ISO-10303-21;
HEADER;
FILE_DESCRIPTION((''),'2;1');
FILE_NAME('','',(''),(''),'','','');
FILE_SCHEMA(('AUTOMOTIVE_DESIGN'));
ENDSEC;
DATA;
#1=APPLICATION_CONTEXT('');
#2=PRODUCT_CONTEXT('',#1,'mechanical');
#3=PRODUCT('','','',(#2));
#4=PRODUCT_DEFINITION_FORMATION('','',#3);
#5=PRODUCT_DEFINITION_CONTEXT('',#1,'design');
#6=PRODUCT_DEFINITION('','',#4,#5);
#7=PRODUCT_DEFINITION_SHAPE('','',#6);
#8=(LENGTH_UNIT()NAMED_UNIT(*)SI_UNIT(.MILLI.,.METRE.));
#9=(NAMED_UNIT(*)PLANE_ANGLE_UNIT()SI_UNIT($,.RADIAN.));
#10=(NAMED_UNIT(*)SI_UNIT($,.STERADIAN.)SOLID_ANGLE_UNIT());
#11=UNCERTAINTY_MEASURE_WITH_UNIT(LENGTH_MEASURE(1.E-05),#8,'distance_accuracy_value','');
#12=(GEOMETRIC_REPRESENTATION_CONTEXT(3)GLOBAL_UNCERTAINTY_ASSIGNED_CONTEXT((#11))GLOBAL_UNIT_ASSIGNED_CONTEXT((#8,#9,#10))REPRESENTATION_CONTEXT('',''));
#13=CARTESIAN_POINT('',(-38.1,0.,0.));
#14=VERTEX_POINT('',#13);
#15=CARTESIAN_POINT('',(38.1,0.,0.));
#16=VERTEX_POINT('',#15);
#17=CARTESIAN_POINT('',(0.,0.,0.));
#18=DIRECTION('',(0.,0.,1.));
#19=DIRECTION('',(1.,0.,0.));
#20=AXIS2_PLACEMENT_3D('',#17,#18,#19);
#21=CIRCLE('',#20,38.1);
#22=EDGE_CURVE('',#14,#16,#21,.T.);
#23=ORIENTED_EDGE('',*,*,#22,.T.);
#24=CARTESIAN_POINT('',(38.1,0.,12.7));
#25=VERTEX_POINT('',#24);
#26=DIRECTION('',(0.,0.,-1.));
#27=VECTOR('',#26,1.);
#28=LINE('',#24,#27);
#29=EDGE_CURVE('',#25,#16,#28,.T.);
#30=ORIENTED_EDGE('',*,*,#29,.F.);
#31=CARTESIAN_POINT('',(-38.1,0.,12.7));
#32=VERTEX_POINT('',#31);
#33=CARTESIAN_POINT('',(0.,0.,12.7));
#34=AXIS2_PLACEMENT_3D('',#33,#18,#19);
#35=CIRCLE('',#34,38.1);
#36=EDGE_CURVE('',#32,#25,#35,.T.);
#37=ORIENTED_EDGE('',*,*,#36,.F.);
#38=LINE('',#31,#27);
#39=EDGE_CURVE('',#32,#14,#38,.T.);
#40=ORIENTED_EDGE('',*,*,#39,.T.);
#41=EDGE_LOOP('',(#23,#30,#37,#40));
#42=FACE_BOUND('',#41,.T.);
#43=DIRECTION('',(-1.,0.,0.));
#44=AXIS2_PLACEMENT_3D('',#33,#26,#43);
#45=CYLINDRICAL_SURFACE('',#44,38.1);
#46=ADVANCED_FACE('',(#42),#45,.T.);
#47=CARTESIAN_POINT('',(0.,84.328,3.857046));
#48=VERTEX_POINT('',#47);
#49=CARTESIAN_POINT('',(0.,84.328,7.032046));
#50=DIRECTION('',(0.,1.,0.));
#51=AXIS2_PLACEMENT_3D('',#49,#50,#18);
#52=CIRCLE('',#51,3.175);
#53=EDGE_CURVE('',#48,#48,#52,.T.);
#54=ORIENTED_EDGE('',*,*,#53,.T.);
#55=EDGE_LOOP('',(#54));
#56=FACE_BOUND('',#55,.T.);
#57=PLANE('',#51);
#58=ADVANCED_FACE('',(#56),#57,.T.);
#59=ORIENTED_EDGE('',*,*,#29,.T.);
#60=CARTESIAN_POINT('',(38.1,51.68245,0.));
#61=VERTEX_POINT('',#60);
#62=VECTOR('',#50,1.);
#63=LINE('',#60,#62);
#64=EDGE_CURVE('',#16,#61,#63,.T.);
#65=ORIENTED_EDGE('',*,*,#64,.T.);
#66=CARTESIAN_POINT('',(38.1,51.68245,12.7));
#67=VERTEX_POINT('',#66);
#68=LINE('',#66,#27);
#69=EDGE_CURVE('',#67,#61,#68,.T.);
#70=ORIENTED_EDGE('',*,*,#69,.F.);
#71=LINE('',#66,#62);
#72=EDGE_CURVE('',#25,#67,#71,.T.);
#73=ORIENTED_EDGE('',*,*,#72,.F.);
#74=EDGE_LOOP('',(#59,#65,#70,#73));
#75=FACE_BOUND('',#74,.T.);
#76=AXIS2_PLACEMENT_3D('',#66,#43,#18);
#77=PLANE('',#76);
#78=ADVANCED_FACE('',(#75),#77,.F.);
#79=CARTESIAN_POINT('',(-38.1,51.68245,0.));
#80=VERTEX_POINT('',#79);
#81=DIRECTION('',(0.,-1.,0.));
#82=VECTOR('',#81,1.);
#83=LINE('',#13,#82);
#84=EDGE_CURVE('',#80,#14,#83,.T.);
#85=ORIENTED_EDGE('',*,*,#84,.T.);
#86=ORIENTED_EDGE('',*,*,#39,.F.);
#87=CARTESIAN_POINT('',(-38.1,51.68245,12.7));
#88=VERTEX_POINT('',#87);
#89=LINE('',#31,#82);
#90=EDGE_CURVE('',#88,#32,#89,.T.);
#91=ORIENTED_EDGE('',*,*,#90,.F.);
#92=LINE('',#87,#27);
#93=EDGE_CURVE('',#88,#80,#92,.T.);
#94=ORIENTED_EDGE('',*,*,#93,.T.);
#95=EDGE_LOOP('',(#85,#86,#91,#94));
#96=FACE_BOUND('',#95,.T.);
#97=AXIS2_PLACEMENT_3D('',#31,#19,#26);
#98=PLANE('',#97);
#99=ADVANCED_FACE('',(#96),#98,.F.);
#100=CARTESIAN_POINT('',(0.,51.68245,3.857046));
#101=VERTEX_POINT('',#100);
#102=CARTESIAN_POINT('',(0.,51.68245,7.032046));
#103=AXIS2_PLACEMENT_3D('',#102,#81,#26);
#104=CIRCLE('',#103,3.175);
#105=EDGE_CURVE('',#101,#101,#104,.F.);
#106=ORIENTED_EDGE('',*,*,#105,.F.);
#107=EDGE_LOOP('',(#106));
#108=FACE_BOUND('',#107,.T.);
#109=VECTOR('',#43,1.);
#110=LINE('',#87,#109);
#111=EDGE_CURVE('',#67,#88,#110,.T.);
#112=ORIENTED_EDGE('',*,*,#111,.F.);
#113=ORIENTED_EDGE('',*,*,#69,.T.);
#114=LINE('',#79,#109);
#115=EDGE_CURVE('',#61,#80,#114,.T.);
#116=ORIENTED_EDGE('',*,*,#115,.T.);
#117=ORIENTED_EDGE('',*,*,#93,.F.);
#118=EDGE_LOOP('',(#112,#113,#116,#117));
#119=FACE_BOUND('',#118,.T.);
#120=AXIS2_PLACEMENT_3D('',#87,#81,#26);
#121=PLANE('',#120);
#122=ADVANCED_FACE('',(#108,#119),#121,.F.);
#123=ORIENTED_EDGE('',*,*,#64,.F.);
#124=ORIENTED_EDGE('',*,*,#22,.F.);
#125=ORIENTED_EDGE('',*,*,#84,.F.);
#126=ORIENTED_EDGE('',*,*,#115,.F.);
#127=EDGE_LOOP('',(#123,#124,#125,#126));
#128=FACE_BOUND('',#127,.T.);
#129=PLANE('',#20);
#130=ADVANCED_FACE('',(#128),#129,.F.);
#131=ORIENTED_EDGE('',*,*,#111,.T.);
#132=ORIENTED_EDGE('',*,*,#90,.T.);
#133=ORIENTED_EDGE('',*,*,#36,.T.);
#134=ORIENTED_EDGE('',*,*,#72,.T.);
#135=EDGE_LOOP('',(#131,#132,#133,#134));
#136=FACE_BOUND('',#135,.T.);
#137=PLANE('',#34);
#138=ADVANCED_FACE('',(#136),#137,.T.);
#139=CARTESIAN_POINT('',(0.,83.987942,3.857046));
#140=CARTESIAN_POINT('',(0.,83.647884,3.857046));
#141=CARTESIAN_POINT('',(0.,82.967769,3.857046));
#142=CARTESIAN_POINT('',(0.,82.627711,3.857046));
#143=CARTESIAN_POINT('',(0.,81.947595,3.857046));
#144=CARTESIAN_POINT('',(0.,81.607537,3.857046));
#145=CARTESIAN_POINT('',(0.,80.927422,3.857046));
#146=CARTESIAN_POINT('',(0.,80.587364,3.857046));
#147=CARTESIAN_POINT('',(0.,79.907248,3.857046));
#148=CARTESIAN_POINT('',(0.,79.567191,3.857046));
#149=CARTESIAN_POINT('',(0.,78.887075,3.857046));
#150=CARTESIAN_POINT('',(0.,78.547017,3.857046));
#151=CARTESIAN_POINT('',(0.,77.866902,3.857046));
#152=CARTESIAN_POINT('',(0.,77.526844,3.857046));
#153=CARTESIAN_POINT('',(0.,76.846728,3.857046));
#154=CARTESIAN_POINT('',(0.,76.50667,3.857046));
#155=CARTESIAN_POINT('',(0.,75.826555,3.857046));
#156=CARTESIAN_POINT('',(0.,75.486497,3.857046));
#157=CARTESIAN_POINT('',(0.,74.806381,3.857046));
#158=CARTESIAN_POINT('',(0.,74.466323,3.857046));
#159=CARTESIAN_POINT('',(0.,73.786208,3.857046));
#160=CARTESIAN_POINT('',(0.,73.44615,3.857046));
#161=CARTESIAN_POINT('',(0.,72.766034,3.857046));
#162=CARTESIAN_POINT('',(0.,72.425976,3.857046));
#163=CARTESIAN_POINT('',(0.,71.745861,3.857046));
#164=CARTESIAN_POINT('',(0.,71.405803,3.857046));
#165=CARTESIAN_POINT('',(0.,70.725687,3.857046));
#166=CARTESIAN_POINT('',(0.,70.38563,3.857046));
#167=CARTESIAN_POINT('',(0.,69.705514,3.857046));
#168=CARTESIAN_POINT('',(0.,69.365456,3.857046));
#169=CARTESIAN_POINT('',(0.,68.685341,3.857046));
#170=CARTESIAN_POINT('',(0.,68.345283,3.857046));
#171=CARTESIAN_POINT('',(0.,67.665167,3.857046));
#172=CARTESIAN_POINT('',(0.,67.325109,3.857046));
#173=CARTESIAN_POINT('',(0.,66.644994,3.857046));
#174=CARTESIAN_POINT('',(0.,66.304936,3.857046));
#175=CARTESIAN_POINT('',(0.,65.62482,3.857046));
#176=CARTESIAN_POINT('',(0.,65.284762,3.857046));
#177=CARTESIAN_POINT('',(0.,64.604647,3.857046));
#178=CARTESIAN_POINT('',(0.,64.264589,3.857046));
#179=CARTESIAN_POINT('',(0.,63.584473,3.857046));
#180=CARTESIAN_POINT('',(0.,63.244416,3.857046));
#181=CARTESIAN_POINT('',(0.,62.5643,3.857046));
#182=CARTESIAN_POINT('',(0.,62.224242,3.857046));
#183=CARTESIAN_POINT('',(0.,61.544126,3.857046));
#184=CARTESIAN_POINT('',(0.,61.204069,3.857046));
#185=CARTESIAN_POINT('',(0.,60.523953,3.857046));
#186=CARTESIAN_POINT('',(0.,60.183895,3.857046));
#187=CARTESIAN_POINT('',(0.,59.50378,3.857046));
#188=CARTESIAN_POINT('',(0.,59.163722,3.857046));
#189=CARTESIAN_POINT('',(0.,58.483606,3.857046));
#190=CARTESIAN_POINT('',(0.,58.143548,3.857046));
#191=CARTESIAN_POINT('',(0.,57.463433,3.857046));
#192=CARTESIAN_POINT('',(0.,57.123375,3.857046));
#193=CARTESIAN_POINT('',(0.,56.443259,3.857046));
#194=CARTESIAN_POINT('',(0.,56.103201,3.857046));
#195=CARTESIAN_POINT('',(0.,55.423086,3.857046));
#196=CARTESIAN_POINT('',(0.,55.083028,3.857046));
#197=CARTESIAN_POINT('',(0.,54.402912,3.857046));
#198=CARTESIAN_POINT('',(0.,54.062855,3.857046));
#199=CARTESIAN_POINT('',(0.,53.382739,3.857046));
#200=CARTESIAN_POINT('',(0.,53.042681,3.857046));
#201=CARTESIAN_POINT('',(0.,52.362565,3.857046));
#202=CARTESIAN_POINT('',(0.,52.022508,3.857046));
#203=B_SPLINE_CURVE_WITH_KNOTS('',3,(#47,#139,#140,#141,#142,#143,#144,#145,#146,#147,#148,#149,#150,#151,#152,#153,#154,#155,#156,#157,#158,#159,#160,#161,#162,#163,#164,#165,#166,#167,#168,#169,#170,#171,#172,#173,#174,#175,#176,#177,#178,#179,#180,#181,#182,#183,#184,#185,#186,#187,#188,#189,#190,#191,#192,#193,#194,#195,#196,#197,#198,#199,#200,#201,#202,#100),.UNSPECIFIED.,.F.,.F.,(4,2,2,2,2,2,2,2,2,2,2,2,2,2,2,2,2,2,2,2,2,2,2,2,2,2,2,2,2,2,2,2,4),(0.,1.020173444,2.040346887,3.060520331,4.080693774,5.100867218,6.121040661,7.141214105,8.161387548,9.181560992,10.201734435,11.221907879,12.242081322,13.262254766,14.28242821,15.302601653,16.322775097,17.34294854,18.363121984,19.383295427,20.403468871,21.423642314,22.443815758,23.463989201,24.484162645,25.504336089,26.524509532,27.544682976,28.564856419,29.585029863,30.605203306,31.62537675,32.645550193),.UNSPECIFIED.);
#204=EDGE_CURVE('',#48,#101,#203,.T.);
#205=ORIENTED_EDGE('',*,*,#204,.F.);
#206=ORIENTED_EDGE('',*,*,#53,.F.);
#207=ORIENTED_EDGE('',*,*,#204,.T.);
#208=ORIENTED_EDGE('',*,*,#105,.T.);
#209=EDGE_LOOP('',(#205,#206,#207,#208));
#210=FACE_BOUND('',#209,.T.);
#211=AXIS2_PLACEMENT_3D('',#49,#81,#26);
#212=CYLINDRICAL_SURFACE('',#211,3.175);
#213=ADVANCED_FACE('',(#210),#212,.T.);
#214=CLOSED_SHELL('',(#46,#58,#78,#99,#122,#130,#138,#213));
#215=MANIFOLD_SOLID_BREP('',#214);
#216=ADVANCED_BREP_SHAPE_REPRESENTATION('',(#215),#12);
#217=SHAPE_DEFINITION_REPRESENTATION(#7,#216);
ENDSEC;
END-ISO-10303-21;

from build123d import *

# Parameters (mm, degrees)
BOSS_EXTRUDE1_DEPTH = 12.7
SKETCH2_R           = 3.175
BOSS_EXTRUDE2_DEPTH = 84.328


with BuildPart() as part:
    # Sketch1 → Boss-Extrude1 (new body)
    with BuildSketch(Plane.XY):
        with BuildLine():
            Line((-38.1, 0), (-38.1, 51.682449807))
            Line((-38.1, 51.682449807), (38.1, 51.682449807))
            Line((38.1, 51.682449807), (38.1, 0))
            ThreePointArc((38.1, 0), (0, -38.1), (-38.1, 0))
        make_face()
    extrude(amount=BOSS_EXTRUDE1_DEPTH)

    # Sketch2 → Boss-Extrude2 (add)
    with BuildSketch(Plane(origin=(0, 0, 0), x_dir=(1, 0, 0), z_dir=(0, 1, 0))):
        with Locations(Location((0, -7.032046272, 0), (0, 0, 90))):
            Circle(SKETCH2_R)
    extrude(amount=BOSS_EXTRUDE2_DEPTH)


solid = part.part
